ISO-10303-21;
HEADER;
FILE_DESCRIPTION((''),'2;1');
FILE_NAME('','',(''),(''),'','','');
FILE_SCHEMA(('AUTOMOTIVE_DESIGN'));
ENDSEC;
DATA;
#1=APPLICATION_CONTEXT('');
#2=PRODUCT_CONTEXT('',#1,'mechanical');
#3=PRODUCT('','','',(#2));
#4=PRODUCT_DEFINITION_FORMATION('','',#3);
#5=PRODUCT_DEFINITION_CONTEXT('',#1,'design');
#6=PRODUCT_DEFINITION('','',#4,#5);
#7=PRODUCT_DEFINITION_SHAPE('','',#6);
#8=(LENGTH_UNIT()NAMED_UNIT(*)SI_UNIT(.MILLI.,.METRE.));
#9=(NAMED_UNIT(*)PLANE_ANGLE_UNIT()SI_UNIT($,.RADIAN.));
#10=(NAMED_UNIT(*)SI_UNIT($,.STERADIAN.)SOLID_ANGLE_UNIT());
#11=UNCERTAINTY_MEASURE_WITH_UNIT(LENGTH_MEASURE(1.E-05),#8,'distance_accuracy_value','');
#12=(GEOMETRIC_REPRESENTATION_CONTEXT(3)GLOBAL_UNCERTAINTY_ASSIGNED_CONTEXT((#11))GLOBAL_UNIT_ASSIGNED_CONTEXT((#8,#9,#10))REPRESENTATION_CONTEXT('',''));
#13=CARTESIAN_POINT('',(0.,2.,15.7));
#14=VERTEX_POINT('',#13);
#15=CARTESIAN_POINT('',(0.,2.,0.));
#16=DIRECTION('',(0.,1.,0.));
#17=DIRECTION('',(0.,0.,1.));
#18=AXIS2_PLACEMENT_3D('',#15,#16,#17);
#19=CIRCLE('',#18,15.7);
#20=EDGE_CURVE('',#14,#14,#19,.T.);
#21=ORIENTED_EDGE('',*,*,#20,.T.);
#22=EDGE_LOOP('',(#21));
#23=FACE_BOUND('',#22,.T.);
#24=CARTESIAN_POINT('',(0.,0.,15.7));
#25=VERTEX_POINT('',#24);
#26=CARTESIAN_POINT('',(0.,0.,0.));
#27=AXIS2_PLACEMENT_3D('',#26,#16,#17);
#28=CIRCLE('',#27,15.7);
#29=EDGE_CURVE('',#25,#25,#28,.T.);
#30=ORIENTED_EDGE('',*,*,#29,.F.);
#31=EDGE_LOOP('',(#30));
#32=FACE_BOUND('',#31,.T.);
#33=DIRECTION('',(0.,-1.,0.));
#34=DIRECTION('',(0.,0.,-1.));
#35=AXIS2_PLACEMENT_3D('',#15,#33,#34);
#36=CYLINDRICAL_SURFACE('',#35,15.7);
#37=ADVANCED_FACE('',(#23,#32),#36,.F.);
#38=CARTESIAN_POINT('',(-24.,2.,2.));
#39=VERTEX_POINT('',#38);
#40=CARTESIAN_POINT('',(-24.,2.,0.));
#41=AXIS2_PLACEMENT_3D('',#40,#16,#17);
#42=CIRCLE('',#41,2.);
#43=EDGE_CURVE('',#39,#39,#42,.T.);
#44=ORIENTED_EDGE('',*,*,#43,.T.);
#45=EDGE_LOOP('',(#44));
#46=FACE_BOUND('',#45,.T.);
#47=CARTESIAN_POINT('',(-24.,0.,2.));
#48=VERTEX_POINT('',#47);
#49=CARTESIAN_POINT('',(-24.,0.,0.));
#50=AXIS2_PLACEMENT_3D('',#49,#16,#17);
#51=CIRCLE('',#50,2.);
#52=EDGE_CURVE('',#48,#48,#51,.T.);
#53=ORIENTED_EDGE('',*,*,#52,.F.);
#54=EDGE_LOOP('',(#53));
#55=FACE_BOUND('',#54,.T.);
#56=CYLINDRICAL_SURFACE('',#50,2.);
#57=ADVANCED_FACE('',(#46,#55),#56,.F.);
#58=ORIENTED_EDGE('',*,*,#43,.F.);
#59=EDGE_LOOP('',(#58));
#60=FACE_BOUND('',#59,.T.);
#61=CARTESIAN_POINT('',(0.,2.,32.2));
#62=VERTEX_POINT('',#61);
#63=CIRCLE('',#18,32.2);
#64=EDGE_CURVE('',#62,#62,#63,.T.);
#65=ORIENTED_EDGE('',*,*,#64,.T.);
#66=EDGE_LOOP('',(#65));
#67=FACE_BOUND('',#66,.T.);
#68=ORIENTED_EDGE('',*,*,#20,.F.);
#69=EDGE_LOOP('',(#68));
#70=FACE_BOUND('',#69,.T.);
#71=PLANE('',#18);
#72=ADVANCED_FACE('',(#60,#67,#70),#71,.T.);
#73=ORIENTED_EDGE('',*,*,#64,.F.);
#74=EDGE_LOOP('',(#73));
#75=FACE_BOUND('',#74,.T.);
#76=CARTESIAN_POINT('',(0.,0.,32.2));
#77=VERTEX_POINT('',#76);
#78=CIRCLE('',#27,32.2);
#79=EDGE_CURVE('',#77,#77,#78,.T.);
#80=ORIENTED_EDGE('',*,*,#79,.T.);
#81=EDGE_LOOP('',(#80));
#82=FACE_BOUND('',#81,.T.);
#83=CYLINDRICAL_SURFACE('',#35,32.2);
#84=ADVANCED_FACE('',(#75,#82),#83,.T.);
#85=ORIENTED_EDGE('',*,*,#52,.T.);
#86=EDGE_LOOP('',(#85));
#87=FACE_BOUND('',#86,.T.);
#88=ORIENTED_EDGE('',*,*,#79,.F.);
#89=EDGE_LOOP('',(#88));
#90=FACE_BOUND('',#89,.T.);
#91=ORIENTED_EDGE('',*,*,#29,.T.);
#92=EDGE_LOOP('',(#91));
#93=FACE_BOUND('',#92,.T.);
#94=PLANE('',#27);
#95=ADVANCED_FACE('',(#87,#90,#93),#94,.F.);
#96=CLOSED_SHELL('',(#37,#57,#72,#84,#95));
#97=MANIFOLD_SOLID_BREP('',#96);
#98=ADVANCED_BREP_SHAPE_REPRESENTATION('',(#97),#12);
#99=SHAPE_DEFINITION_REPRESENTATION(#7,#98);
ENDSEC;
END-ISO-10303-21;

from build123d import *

# Parameters (mm, degrees)
SKETCH1_R           = 32.2
SKETCH1_R_2         = 15.7
BOSS_EXTRUDE1_DEPTH = 2
SKETCH2_R           = 2
CUT_EXTRUDE1_DEPTH  = 46.581575225


with BuildPart() as part:
    # Sketch1 → Boss-Extrude1 (new body)
    with BuildSketch(Plane(origin=(0, 0, 0), x_dir=(1, 0, 0), z_dir=(0, 1, 0))):
        with Locations(Location((0, 0, 0), (0, 0, 270))):
            Circle(SKETCH1_R)
        with Locations(Location((0, 0, 0), (0, 0, 270))):
            Circle(SKETCH1_R_2, mode=Mode.SUBTRACT)
    extrude(amount=BOSS_EXTRUDE1_DEPTH)

    # Sketch2 → Cut-Extrude1 (cut, through all)
    with BuildSketch(Plane(origin=(0, 2, 0), x_dir=(1, 0, 0), z_dir=(0, 1, 0))):
        with Locations(Location((-24, 0, 0), (0, 0, 270))):
            Circle(SKETCH2_R)
    extrude(amount=-CUT_EXTRUDE1_DEPTH, mode=Mode.SUBTRACT)


solid = part.part
